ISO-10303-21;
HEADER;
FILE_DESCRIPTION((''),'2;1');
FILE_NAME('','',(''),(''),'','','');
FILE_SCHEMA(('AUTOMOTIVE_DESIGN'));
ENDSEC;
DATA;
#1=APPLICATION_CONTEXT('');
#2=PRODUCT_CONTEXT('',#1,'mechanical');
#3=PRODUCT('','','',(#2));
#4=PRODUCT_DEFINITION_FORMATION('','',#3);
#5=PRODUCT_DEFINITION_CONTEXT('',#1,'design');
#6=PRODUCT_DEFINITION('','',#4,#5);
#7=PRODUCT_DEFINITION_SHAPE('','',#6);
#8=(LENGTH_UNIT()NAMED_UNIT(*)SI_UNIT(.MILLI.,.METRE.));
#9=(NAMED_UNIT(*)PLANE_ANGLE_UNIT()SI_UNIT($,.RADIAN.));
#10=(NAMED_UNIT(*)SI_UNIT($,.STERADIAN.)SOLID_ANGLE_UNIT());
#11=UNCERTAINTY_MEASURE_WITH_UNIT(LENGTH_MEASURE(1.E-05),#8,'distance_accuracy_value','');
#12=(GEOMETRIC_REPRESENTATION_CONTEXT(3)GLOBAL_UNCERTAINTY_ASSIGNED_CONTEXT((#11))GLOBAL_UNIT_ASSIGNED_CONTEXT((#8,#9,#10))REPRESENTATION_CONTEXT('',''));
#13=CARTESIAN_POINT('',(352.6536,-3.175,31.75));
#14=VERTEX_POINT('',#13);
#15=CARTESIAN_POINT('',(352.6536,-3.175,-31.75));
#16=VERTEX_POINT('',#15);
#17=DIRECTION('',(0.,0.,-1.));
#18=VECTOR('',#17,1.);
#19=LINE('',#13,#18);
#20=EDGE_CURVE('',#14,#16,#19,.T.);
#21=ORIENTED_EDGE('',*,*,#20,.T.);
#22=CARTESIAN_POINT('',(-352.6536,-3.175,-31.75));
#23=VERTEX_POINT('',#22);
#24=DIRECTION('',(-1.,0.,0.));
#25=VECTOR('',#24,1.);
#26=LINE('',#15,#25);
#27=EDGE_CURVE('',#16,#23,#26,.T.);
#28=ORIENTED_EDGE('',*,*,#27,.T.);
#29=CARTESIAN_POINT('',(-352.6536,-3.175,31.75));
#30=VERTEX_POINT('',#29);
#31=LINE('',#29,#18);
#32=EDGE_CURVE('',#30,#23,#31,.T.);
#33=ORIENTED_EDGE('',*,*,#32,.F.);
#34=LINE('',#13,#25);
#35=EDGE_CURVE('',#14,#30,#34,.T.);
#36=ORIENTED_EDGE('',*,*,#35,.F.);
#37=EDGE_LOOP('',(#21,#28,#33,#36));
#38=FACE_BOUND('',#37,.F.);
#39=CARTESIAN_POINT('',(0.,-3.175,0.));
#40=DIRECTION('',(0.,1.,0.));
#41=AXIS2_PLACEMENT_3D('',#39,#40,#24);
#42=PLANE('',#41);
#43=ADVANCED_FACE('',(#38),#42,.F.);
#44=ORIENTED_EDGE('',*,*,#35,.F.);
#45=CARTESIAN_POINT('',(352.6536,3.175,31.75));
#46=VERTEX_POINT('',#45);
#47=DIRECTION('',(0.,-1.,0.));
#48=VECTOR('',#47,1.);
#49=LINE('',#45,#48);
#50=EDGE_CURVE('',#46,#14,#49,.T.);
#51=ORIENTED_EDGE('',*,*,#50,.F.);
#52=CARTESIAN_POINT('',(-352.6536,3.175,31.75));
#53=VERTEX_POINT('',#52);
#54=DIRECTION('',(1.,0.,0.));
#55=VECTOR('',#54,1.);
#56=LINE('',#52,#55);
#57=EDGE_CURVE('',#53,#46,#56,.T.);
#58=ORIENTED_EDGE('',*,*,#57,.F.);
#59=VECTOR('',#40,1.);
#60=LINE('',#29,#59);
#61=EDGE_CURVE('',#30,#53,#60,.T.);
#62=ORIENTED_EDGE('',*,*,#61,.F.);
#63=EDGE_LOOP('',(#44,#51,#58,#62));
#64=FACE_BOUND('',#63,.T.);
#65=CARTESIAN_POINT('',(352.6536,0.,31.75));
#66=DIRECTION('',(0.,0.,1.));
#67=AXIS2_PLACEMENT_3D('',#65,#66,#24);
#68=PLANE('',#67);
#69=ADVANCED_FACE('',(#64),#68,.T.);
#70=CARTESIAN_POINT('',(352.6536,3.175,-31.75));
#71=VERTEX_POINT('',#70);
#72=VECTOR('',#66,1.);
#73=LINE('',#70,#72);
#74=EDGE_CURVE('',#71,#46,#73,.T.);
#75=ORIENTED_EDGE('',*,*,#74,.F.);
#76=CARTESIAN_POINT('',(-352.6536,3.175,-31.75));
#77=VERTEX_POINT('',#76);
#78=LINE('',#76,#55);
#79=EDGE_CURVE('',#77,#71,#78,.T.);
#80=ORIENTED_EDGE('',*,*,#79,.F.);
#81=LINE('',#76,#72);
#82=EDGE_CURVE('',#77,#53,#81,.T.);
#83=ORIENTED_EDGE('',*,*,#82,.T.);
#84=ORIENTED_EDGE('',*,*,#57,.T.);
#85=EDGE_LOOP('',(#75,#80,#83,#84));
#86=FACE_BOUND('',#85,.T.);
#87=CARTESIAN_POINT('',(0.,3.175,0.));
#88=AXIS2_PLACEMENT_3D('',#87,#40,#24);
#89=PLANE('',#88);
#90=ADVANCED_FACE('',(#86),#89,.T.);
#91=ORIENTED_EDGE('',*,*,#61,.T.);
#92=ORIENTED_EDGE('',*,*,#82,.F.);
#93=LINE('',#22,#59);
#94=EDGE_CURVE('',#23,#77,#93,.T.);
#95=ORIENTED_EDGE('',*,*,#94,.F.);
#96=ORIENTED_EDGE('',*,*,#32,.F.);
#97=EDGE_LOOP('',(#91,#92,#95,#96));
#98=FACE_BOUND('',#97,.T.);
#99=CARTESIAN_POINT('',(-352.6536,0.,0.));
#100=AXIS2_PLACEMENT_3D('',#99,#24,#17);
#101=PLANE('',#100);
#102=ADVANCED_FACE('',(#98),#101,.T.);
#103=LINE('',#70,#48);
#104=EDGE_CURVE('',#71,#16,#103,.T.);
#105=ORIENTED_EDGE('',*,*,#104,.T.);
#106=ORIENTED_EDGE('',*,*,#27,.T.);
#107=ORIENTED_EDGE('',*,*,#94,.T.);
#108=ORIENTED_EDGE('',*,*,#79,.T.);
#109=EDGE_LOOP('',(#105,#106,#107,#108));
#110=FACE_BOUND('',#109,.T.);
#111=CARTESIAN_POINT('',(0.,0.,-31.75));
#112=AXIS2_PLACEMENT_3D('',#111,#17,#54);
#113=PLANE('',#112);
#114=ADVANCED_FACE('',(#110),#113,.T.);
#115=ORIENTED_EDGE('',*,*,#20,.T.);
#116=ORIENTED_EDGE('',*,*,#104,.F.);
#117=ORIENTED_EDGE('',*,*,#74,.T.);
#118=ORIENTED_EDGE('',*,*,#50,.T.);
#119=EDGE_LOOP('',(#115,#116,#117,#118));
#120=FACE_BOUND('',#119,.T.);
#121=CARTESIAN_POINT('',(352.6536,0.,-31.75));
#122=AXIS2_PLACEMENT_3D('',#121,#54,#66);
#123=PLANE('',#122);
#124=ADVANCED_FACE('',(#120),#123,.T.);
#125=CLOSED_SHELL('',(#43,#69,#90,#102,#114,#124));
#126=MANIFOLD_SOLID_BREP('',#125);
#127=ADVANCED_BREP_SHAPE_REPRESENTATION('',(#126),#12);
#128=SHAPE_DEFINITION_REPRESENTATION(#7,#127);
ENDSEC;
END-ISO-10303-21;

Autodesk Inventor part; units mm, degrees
ref_plane "YZ Plane" through (0, 0, 0) normal (1, 0, 0) x (0, 1, 0)
ref_plane "XZ Plane" through (0, 0, 0) normal (0, 1, 0) x (-1, 0, 0)
ref_plane "XY Plane" through (0, 0, 0) normal (0, 0, 1) x (1, 0, 0)
sketch "Sketch1" plane through (0, 0, 0) normal (0, 1, 0) x (-1, 0, 0)
  line L0 (0, -44.45) -> (0, 44.45) projected
  line L1 (-493.715, 0) -> (493.715, 0) projected
  line L2 (352.6536, -31.75) -> (-352.6536, -31.75)
  line L3 (-352.6536, -31.75) -> (-352.6536, 31.75)
  line L4 (-352.6536, 31.75) -> (352.6536, 31.75)
  line L5 (352.6536, 31.75) -> (352.6536, -31.75)
  point P0 (0, 0)
  dimension "d0" = 705.3072
  dimension "d1" = 63.5
extrude "Extrusion1" add sketch "Sketch1" along normal mid plane 6.35
properties part number "NMMCMARK2"
